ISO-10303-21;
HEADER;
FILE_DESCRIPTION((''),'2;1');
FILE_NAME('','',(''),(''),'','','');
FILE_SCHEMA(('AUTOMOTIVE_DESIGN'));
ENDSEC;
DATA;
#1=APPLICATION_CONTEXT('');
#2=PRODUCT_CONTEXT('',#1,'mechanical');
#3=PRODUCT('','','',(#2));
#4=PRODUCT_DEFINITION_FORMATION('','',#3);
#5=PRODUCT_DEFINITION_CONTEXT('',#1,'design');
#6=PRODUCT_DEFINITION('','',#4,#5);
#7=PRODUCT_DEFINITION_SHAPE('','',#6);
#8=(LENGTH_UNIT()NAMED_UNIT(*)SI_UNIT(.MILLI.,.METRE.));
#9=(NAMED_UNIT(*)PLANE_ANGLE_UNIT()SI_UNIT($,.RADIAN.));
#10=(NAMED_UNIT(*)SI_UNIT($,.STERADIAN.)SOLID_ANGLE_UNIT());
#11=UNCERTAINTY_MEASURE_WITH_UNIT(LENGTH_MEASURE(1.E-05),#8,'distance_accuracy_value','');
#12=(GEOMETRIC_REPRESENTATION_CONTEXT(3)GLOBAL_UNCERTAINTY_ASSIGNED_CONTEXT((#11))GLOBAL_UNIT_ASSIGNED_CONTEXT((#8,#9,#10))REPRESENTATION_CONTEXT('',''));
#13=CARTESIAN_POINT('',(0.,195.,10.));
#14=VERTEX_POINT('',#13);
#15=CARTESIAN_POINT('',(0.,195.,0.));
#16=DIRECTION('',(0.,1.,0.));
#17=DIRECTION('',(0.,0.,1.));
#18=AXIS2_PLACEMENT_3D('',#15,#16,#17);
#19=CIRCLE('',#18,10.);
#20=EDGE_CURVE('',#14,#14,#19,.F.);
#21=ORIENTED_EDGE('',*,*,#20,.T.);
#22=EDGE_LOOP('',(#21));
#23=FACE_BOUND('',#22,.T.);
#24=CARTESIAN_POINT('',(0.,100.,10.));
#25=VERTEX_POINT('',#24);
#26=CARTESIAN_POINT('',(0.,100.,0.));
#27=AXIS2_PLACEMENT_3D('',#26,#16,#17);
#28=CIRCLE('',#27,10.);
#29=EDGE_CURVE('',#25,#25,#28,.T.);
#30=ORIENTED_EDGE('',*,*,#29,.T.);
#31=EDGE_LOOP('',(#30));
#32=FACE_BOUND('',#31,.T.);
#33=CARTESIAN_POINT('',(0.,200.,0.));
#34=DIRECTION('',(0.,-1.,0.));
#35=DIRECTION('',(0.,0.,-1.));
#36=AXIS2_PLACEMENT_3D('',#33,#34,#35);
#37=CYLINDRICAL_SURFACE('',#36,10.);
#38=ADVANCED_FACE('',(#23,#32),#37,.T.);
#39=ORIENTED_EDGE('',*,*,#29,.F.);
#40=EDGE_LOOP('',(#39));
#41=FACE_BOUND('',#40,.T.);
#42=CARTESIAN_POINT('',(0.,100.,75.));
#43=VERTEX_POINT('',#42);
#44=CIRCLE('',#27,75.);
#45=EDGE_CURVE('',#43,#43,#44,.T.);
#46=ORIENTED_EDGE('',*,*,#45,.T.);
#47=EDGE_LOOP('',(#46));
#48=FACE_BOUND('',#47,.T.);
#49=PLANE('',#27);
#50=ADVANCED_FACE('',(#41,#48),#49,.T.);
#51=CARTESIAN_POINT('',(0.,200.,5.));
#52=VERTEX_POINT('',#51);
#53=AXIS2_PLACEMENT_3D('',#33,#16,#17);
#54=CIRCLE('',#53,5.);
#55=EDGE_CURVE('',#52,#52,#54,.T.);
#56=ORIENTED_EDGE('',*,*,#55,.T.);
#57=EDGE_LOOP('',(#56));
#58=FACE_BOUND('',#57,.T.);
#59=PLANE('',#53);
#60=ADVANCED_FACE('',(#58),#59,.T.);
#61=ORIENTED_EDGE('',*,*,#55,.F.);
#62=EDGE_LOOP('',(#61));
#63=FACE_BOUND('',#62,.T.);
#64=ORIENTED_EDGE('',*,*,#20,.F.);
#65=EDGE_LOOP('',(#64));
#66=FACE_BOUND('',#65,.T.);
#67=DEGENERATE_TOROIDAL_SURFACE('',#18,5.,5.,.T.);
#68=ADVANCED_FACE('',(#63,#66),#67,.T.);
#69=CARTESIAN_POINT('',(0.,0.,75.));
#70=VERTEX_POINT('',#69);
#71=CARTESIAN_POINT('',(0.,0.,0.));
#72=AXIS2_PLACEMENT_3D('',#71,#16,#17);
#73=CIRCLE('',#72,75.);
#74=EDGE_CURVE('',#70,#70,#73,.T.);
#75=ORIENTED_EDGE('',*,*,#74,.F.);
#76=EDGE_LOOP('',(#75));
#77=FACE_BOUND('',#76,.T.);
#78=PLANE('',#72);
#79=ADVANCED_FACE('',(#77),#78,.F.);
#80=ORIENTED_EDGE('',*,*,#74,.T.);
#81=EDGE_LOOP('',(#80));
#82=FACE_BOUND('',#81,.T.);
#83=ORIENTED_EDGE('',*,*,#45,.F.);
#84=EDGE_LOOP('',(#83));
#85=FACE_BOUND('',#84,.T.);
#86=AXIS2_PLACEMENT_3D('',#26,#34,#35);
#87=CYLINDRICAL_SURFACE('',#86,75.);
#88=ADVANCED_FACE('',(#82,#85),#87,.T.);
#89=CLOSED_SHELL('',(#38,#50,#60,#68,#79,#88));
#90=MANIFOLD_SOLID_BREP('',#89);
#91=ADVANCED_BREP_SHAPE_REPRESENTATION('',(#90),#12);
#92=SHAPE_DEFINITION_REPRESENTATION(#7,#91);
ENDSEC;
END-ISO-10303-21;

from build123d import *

# Parameters (mm, degrees)
SKETCH_1_R      = 75
EXTRUDE_1_DEPTH = 100
SKETCH_2_R      = 10
EXTRUDE_2_DEPTH = 100
FILLET_1_R      = 5


with BuildPart() as part:
    # 草图1 → 凸台-拉伸1 (new body)
    with BuildSketch(Plane(origin=(0, 0, 0), x_dir=(1, 0, 0), z_dir=(0, 1, 0))):
        Circle(SKETCH_1_R)
    extrude(amount=EXTRUDE_1_DEPTH)

    # 草图2 → 凸台-拉伸2 (add)
    with BuildSketch(Plane(origin=(0, 100, 0), x_dir=(1, 0, 0), z_dir=(0, 1, 0))):
        Circle(SKETCH_2_R)
    extrude(amount=EXTRUDE_2_DEPTH)

    # 圆角1
    fillet_1_edges = [part.edges().sort_by_distance(p)[0] for p in [
        (-10, 200, 0),
    ]]
    fillet(fillet_1_edges, radius=FILLET_1_R)


solid = part.part
